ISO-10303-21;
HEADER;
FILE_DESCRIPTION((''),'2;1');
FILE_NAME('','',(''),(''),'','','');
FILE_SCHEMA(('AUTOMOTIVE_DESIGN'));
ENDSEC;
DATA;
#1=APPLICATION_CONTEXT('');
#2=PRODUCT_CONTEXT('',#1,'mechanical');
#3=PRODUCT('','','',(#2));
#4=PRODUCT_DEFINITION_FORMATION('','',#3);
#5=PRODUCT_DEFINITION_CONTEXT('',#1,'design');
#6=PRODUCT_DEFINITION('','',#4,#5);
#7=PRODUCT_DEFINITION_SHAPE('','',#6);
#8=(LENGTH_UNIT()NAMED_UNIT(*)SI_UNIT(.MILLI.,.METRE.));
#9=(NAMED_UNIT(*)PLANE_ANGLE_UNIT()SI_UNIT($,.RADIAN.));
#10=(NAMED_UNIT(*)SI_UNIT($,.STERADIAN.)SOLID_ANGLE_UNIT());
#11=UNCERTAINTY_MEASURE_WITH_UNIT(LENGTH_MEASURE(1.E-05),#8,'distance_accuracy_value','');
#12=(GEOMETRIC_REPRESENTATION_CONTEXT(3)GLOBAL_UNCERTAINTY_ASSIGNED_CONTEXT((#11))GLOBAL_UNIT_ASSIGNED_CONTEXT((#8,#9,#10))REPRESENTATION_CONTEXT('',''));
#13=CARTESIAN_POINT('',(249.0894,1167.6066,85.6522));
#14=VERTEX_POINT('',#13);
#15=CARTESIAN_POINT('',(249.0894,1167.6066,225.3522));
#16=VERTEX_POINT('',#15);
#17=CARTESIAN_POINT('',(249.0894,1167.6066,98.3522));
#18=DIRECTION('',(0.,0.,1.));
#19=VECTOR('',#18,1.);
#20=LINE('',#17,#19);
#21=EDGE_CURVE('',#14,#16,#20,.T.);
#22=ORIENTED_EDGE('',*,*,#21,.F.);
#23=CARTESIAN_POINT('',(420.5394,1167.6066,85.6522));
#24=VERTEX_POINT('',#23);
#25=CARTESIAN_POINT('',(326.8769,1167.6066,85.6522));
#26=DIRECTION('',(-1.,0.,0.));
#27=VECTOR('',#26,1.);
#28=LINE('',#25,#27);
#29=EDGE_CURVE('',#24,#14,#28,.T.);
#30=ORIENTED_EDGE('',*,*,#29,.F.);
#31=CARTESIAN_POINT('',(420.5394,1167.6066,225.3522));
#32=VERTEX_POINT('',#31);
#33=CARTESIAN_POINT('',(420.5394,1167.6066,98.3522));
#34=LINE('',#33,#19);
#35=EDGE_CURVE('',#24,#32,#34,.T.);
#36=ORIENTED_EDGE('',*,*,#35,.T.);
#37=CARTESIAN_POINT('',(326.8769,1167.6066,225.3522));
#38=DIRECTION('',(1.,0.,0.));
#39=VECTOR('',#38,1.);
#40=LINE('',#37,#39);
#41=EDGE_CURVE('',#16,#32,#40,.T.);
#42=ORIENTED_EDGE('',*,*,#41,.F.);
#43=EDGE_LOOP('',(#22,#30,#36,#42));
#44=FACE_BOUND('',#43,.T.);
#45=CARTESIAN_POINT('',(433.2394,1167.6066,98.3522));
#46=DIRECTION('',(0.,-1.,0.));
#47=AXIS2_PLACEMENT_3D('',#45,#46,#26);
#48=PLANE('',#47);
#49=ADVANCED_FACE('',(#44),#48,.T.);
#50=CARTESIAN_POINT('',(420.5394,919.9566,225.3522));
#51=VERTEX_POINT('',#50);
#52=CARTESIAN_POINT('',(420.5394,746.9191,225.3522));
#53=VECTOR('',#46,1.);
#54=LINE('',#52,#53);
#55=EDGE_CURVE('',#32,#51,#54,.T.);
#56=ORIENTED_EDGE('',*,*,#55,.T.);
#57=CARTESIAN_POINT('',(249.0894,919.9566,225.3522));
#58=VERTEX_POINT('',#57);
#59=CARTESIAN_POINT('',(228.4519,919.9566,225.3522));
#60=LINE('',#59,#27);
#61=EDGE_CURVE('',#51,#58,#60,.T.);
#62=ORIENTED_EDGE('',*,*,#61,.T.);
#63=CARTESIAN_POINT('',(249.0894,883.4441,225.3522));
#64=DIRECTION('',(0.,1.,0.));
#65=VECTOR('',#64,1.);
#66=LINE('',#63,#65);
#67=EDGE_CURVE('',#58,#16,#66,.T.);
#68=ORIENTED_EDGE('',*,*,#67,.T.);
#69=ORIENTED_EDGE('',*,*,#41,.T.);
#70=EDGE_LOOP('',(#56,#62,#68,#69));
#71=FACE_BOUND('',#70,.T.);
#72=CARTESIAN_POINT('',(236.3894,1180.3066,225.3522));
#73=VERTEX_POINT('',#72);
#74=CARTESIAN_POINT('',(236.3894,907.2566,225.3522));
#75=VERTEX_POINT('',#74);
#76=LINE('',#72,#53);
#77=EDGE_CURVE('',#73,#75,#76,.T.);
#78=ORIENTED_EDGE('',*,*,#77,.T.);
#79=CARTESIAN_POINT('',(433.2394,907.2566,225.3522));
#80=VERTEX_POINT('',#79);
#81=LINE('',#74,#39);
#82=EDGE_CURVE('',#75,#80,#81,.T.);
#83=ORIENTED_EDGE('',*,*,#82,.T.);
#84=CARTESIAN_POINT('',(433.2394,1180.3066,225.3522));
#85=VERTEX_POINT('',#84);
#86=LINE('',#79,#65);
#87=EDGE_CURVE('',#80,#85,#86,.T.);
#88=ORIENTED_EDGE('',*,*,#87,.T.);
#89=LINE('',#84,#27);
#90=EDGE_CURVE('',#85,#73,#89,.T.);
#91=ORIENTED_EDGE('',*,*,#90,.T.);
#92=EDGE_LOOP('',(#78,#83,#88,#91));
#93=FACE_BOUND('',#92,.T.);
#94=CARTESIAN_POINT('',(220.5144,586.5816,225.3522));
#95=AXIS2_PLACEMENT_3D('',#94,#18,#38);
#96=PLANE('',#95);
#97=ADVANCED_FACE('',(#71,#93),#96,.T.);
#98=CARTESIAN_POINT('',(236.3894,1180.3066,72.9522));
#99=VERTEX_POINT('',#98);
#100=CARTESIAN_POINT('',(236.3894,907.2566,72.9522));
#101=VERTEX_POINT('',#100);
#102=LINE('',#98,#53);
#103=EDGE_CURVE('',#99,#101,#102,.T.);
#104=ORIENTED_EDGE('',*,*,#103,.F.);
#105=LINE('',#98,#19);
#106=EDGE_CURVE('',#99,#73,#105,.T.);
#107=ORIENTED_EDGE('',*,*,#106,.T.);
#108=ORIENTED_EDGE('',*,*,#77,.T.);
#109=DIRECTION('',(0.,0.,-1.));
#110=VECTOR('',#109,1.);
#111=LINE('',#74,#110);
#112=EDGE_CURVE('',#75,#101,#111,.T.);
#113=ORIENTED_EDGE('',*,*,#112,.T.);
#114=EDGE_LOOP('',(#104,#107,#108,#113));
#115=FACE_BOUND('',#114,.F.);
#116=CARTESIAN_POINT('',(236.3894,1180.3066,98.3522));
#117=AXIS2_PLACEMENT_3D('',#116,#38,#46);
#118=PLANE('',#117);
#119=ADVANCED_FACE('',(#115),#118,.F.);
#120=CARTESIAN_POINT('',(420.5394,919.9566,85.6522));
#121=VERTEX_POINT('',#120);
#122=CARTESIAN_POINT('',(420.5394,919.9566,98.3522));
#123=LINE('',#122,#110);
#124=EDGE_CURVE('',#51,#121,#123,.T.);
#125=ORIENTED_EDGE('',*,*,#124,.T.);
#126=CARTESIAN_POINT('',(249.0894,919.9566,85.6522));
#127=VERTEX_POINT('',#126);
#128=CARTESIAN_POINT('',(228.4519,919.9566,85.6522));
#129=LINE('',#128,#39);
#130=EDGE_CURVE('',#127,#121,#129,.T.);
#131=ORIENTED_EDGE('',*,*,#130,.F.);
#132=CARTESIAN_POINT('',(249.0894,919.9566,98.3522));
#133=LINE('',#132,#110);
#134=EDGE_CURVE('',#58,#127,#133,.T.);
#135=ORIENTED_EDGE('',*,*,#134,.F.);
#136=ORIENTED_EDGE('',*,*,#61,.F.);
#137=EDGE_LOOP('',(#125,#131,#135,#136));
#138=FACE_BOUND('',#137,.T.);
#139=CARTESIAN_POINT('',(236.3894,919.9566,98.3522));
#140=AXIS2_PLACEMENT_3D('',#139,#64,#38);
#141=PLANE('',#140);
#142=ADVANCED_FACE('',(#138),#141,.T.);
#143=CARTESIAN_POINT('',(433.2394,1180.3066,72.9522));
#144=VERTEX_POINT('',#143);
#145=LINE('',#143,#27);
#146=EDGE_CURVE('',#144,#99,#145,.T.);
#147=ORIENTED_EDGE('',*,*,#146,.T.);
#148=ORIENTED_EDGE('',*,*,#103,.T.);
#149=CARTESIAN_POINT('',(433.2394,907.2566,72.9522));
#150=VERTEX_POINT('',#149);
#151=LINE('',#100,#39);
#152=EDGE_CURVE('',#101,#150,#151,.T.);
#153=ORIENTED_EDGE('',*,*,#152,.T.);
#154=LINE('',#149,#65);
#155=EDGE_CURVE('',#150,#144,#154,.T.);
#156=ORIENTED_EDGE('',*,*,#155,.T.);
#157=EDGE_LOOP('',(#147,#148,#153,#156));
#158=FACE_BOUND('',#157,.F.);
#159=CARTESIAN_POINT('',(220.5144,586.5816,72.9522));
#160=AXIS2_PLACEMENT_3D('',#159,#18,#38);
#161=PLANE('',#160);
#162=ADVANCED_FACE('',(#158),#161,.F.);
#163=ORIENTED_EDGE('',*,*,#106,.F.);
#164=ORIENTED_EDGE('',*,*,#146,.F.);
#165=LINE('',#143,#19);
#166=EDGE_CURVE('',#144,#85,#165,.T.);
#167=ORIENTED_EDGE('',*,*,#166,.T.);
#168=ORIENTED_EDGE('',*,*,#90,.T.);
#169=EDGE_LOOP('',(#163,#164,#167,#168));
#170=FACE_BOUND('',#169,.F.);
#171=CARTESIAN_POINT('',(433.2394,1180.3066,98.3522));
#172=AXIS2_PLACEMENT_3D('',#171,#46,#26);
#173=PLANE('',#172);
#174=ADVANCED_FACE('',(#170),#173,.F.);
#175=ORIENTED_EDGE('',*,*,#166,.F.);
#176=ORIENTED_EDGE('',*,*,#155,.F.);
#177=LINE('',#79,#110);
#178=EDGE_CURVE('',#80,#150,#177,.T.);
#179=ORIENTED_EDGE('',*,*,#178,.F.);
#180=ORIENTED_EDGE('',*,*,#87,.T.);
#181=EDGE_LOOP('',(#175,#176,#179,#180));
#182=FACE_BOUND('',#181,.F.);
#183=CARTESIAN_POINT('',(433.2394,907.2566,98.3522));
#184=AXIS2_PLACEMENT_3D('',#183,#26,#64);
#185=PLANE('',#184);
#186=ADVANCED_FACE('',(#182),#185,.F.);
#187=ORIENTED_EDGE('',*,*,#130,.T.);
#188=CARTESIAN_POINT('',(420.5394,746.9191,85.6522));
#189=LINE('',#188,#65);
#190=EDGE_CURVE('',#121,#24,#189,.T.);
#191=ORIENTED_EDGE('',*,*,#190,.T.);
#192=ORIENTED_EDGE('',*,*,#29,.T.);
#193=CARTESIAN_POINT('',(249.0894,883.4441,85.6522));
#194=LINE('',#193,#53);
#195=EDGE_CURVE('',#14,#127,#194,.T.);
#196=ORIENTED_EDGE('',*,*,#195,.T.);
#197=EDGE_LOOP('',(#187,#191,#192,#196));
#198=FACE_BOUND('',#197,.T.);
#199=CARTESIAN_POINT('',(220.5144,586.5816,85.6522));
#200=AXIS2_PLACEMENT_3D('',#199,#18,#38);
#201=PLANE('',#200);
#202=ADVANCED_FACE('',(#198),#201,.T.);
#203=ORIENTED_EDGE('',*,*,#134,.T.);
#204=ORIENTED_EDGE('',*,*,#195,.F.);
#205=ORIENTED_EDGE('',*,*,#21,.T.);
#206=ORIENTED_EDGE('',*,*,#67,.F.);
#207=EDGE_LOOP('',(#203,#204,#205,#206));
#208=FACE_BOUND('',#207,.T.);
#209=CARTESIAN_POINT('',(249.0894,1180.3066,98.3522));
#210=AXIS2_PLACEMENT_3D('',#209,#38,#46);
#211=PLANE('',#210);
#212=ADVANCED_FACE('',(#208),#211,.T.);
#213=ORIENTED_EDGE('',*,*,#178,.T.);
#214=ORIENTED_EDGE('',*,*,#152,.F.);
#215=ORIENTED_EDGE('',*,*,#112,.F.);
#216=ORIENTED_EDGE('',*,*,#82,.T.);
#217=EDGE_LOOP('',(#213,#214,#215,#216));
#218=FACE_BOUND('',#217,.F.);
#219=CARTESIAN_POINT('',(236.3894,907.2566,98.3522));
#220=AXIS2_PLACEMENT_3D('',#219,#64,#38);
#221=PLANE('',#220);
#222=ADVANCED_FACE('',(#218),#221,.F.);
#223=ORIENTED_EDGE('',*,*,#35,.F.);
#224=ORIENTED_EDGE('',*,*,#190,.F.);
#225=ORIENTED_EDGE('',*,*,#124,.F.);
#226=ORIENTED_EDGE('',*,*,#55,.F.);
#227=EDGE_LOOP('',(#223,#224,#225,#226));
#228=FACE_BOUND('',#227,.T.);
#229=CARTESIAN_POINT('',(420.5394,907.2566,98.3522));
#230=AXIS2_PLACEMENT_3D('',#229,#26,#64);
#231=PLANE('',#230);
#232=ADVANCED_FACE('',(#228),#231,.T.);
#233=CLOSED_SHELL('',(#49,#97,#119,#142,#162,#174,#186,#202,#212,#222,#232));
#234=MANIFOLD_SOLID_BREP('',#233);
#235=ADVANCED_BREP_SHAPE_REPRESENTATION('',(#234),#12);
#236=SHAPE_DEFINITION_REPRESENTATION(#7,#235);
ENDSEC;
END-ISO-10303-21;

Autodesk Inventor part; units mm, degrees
ref_plane "YZ Plane" through (0, 0, 0) normal (1, 0, 0) x (0, 1, 0)
ref_plane "XZ Plane" through (0, 0, 0) normal (0, 1, 0) x (-1, 0, 0)
ref_plane "Work Plane1" through (220.5144, 586.5816, 98.3522) normal (0, 0, 1) x (1, 0, 0)
sketch "Sketch1" plane through (220.5144, 586.5816, 98.3522) normal (0, 0, 1) x (1, 0, 0)
  line L0 (12.7, 622.3) -> (215.9, 622.3)
  line L1 (12.7, 317.5) -> (215.9, 317.5)
  line L2 (241.3, 317.5) -> (241.3, 596.9)
  line L3 (-12.7, 596.9) -> (-12.7, 317.5)
  line L4 (215.9, 596.9) -> (12.7, 596.9)
  line L5 (215.9, 596.9) -> (215.9, 317.5)
  line L6 (12.7, 317.5) -> (12.7, 596.9)
  line L7 (212.725, 593.725) -> (15.875, 593.725)
  line L8 (15.875, 593.725) -> (15.875, 320.675)
  line L9 (15.875, 320.675) -> (212.725, 320.675)
  line L10 (212.725, 320.675) -> (212.725, 593.725)
  point P0 (-220.5144, -586.5816)
extrude "Extrusion1" add sketch "Sketch1" along normal blind 127 and the other way blind 25.4 contours L10 L9 L8 L7
shell "Shell1" thickness 12.7 removed faces 1 at (302.006, 1089.2899, 225.3522)
sketch "Sketch2" plane through (433.2394, 907.2566, 225.3522) normal (1, 0, 0) x (0, 0, -1)
  line L0 (64.2794, 109.9044) -> (64.2794, 156.2995) construction
  line L1 (64.2794, 156.2995) -> (96.9042, 156.2995) construction
  line L2 (96.9042, 156.2995) -> (96.9042, 109.9044) construction
  line L3 (96.9042, 109.9044) -> (64.2794, 109.9044) construction
  line L4 (3.9697, 5.6654) -> (3.9697, 52.0605) construction
  line L5 (3.9697, 52.0605) -> (36.5945, 52.0605) construction
  line L6 (36.5945, 52.0605) -> (36.5945, 5.6654) construction
  line L7 (36.5945, 5.6654) -> (3.9697, 5.6654) construction
  point P0 (225.3522, -907.2566)
sketch "Sketch3" plane through (236.3894, 907.2566, 225.3522) normal (-1, 0, 0) x (0, 0, 1)
  line L0 (-63.5349, 159.0456) -> (-63.5349, 112.6505) construction
  line L1 (-63.5349, 112.6505) -> (-96.1597, 112.6505) construction
  line L2 (-96.1597, 112.6505) -> (-96.1597, 159.0456) construction
  line L3 (-96.1597, 159.0456) -> (-63.5349, 159.0456) construction
  line L4 (-8.4371, 269.7536) -> (-8.4371, 223.3584) construction
  line L5 (-8.4371, 223.3584) -> (-41.0619, 223.3584) construction
  line L6 (-41.0619, 223.3584) -> (-41.0619, 269.7536) construction
  line L7 (-41.0619, 269.7536) -> (-8.4371, 269.7536) construction
  point P0 (-225.3522, -907.2566)
properties part number "Bucket green"
